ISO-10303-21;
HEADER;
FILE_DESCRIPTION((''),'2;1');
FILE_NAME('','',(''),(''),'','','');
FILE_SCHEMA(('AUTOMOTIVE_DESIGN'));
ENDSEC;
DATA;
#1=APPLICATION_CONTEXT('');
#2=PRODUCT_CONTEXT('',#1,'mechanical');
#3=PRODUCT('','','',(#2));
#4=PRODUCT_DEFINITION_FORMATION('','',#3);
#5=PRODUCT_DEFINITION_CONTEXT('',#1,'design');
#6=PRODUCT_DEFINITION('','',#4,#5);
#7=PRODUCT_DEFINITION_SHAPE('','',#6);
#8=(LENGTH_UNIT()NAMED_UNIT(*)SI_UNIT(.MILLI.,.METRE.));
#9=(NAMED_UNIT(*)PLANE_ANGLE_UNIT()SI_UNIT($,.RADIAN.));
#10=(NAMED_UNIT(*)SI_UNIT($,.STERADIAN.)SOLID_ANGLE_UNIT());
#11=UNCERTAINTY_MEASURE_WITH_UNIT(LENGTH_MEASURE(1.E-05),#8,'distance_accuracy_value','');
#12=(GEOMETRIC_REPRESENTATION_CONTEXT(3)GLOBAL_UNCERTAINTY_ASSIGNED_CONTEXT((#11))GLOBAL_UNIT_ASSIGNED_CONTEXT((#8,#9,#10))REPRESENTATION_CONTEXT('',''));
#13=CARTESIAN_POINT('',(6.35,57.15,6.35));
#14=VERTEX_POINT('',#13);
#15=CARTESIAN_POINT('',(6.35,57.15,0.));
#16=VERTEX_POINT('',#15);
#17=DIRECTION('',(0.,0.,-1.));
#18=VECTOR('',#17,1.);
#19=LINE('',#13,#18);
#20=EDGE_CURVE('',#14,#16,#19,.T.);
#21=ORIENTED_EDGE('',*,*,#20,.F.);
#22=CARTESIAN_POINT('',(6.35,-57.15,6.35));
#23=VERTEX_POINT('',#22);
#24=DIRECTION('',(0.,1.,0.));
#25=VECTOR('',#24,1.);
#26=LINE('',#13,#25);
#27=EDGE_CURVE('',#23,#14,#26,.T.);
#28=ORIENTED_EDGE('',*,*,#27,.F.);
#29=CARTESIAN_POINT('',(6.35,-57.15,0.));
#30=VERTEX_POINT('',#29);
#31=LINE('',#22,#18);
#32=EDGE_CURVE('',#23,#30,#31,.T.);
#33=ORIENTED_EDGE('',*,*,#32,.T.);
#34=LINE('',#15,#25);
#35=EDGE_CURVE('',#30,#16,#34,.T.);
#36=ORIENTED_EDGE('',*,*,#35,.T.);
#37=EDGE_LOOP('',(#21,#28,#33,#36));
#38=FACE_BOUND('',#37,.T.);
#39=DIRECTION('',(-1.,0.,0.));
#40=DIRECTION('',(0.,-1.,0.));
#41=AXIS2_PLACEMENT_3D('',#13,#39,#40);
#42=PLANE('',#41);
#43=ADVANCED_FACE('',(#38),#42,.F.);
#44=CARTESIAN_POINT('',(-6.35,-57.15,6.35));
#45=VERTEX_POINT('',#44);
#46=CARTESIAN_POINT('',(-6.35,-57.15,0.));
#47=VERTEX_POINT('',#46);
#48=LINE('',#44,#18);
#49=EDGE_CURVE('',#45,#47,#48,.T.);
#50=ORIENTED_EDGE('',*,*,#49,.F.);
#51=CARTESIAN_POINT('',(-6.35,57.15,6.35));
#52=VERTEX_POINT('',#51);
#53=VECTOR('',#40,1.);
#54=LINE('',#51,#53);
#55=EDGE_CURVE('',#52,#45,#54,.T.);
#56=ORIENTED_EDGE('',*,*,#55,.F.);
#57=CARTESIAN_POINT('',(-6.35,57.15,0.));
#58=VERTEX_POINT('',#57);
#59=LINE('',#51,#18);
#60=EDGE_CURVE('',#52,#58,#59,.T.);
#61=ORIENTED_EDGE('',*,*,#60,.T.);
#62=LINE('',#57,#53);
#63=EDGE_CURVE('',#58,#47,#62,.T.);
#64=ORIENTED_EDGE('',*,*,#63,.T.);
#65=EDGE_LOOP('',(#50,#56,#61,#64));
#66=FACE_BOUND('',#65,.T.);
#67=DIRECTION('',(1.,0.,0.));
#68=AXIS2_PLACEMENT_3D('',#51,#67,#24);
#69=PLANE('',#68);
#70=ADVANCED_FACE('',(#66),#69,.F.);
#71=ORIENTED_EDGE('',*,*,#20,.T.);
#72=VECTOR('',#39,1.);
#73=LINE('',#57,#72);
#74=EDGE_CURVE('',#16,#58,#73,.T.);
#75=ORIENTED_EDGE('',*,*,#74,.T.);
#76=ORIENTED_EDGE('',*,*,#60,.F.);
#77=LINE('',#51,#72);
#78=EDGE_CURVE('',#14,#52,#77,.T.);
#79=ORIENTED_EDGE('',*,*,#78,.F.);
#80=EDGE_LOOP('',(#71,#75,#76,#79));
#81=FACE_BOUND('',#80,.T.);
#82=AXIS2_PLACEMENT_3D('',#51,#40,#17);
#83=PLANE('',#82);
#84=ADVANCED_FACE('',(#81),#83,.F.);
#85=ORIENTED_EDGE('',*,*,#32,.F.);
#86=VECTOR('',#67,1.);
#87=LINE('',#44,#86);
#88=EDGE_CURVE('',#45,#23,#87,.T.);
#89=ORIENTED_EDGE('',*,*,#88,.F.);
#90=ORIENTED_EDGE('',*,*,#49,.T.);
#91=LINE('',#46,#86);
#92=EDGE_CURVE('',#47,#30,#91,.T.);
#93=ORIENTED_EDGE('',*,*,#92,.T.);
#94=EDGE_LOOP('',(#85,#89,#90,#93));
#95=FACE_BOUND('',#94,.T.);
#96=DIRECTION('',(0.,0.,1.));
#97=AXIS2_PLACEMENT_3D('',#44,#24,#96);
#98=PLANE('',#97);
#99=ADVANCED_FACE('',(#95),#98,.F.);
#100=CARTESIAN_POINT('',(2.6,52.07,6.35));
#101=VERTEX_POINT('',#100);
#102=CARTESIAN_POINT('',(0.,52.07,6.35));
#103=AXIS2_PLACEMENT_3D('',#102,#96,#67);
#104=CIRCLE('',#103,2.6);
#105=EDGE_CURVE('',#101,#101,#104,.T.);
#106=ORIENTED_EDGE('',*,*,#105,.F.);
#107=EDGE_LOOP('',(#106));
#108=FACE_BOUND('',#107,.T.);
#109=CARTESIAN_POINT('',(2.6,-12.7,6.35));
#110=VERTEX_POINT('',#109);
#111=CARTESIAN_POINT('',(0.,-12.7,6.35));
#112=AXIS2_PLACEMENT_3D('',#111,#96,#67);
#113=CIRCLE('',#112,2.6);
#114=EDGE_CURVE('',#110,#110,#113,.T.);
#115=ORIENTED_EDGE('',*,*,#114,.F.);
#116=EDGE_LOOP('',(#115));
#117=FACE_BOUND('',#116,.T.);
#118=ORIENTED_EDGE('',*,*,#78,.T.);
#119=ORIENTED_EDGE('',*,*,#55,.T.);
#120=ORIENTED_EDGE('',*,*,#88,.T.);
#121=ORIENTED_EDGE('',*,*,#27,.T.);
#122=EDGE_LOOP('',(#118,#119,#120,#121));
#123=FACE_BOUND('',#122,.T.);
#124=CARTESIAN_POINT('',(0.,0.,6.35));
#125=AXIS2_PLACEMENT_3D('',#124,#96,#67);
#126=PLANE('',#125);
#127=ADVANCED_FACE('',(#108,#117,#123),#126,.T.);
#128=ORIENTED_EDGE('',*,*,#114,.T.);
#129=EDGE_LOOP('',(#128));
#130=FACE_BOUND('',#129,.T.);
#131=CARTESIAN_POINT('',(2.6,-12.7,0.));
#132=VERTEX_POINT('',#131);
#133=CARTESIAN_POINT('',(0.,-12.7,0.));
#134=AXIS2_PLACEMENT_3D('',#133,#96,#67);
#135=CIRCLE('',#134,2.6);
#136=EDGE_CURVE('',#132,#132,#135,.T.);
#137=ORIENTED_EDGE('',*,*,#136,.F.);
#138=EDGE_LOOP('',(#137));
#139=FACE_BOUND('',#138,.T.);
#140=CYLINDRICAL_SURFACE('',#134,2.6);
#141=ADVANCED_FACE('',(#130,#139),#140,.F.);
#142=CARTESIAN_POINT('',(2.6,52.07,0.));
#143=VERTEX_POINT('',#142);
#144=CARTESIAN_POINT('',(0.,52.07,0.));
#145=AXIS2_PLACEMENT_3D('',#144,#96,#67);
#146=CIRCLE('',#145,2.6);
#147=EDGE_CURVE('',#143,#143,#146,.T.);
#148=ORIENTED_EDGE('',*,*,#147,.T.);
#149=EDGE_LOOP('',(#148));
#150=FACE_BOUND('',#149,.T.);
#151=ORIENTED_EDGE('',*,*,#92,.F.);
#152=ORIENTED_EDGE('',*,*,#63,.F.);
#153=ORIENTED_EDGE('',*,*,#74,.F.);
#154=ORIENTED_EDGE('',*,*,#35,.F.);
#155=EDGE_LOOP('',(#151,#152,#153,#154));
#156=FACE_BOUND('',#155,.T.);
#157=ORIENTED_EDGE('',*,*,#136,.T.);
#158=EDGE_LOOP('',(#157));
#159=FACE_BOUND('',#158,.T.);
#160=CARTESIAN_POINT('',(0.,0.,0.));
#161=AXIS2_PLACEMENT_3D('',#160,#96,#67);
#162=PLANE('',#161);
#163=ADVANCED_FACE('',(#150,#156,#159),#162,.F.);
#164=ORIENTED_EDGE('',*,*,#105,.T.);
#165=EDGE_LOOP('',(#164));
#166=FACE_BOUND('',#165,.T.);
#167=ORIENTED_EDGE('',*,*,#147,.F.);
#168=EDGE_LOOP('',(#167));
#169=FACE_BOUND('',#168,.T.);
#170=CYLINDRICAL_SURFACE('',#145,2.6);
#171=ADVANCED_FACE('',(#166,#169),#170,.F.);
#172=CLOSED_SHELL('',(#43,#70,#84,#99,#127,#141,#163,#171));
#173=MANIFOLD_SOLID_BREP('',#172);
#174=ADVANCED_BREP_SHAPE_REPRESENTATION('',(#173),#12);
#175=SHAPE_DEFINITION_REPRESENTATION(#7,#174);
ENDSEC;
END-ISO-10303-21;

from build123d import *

# Parameters (mm, degrees)
ESQUISSE1_W             = 12.7
ESQUISSE1_H             = 114.3
BOSS_EXTRU_1_DEPTH      = 6.35
ESQUISSE3_R             = 2.6
ENL_V_MAT_EXTRU_2_DEPTH = 58.851253228


with BuildPart() as part:
    # Esquisse1 → Boss.-Extru.1 (new body)
    with BuildSketch(Plane.XY):
        Rectangle(ESQUISSE1_W, ESQUISSE1_H)
    extrude(amount=BOSS_EXTRU_1_DEPTH)

    # Esquisse3 → Enlèv. mat.-Extru.2 (cut, through all)
    with BuildSketch(Plane.XY.offset(6.35)):
        with Locations((0, -12.7)):
            Circle(ESQUISSE3_R)
        with Locations((0, 52.07)):
            Circle(ESQUISSE3_R)
    extrude(amount=-ENL_V_MAT_EXTRU_2_DEPTH, mode=Mode.SUBTRACT)


solid = part.part
